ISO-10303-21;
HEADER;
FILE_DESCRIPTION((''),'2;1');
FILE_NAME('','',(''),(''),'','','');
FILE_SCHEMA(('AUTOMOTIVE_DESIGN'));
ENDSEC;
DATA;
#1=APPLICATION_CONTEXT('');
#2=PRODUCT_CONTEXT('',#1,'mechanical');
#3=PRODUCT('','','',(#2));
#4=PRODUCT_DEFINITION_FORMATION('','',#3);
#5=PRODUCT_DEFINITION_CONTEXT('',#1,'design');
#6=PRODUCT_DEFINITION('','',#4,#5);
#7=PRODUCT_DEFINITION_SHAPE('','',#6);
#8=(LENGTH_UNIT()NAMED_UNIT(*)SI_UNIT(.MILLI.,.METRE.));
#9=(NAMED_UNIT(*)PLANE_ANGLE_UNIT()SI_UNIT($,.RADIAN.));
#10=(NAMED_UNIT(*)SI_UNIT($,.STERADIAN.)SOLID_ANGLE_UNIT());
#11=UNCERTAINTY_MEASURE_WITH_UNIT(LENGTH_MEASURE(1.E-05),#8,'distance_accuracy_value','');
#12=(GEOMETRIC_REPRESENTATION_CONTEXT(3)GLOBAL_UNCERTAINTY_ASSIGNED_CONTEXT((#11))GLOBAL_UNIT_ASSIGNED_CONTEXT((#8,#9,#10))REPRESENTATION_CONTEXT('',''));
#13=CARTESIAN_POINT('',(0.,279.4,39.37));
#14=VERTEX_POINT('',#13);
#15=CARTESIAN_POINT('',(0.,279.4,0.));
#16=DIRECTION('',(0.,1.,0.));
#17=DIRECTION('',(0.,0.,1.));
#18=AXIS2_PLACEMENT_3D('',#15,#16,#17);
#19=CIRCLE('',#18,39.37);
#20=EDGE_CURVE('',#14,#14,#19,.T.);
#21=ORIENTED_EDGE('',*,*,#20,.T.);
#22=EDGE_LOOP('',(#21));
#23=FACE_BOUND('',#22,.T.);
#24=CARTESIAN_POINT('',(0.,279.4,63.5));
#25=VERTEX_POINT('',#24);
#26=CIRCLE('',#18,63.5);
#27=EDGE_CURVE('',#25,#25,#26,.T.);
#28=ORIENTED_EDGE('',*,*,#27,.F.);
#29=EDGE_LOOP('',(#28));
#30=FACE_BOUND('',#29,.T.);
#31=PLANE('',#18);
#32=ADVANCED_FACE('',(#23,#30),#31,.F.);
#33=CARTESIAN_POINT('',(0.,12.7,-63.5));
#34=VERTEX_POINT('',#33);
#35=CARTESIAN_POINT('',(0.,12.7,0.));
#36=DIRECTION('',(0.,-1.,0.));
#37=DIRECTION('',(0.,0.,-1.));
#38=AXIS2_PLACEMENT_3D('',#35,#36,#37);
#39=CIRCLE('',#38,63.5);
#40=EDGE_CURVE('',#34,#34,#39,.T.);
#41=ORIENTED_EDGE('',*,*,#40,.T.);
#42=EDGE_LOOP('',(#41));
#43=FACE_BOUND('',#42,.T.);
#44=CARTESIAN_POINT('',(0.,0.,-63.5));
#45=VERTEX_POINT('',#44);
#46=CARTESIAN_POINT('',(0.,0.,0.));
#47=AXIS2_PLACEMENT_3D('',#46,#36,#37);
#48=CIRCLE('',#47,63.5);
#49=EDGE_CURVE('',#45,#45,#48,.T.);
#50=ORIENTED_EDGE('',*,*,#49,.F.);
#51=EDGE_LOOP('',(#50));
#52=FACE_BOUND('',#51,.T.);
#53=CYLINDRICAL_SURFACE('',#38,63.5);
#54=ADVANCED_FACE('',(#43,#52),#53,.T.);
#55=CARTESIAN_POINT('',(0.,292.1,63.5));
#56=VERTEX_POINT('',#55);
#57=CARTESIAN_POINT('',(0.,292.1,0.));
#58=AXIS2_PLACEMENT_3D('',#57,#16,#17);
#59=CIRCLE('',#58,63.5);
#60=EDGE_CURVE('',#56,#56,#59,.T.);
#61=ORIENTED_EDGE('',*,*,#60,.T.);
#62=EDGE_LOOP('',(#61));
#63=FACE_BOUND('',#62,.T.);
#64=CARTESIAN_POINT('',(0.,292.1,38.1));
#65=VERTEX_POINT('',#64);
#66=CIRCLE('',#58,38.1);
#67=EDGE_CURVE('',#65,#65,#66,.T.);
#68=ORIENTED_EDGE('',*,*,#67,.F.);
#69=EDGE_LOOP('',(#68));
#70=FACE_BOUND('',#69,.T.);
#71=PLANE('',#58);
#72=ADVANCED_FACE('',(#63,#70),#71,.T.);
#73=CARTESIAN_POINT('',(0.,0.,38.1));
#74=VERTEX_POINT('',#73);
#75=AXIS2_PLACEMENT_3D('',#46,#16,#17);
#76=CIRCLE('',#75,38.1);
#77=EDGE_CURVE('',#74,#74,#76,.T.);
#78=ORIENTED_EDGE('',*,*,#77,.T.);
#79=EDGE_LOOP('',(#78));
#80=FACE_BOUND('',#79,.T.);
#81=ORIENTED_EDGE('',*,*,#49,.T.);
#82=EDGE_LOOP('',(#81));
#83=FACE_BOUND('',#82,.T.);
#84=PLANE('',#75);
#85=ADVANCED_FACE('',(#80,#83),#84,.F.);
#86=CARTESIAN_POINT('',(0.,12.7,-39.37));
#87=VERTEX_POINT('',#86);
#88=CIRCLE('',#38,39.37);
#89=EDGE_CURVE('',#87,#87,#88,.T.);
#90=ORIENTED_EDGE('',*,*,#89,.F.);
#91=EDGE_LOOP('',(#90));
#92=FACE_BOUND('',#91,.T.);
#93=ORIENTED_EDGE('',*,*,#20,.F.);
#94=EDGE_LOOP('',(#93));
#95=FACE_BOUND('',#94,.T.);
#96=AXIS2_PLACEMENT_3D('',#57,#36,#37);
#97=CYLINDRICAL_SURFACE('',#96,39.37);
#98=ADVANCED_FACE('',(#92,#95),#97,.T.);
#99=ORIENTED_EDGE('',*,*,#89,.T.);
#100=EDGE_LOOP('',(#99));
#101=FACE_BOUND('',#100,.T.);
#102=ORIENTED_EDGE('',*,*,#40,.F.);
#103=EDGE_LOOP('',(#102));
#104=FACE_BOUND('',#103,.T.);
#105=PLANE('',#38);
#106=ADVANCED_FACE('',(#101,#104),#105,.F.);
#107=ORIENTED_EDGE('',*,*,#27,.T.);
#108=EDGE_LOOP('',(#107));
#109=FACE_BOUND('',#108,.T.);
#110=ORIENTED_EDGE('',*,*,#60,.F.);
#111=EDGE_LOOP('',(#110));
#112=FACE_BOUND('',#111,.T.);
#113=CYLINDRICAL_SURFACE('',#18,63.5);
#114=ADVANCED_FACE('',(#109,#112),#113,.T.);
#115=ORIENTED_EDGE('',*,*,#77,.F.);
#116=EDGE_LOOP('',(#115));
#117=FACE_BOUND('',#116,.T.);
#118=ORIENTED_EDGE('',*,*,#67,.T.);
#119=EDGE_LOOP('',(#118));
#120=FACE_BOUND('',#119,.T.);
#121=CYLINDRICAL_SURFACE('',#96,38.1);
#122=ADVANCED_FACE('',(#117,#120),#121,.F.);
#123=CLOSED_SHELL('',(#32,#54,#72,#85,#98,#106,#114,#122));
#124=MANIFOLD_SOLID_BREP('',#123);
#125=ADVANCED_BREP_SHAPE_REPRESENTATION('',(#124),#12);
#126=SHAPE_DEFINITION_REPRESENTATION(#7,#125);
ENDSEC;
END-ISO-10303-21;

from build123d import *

# Parameters (mm, degrees)
SKETCH2_R            = 39.37
SKETCH2_R_2          = 38.1
BASE_CYLINDER_DEPTH  = 292.1
SKETCH3_R            = 63.5
SKETCH3_R_2          = 38.1
AFT_FLANGE_DEPTH     = 12.7
SKETCH4_R            = 63.5
SKETCH4_R_2          = 38.1
FORWARD_FLANGE_DEPTH = 12.7


with BuildPart() as part:
    # Sketch2 → Base Cylinder (new body)
    with BuildSketch(Plane(origin=(0, 0, 0), x_dir=(1, 0, 0), z_dir=(0, 1, 0))):
        Circle(SKETCH2_R)
        Circle(SKETCH2_R_2, mode=Mode.SUBTRACT)
    extrude(amount=BASE_CYLINDER_DEPTH)

    # Sketch3 → Aft Flange (add)
    with BuildSketch(Plane.XZ):
        Circle(SKETCH3_R)
        Circle(SKETCH3_R_2, mode=Mode.SUBTRACT)
    extrude(amount=-AFT_FLANGE_DEPTH)

    # Sketch4 → Forward Flange (add)
    with BuildSketch(Plane(origin=(0, 292.1, 0), x_dir=(1, 0, 0), z_dir=(0, 1, 0))):
        Circle(SKETCH4_R)
        Circle(SKETCH4_R_2, mode=Mode.SUBTRACT)
    extrude(amount=-FORWARD_FLANGE_DEPTH)


solid = part.part
